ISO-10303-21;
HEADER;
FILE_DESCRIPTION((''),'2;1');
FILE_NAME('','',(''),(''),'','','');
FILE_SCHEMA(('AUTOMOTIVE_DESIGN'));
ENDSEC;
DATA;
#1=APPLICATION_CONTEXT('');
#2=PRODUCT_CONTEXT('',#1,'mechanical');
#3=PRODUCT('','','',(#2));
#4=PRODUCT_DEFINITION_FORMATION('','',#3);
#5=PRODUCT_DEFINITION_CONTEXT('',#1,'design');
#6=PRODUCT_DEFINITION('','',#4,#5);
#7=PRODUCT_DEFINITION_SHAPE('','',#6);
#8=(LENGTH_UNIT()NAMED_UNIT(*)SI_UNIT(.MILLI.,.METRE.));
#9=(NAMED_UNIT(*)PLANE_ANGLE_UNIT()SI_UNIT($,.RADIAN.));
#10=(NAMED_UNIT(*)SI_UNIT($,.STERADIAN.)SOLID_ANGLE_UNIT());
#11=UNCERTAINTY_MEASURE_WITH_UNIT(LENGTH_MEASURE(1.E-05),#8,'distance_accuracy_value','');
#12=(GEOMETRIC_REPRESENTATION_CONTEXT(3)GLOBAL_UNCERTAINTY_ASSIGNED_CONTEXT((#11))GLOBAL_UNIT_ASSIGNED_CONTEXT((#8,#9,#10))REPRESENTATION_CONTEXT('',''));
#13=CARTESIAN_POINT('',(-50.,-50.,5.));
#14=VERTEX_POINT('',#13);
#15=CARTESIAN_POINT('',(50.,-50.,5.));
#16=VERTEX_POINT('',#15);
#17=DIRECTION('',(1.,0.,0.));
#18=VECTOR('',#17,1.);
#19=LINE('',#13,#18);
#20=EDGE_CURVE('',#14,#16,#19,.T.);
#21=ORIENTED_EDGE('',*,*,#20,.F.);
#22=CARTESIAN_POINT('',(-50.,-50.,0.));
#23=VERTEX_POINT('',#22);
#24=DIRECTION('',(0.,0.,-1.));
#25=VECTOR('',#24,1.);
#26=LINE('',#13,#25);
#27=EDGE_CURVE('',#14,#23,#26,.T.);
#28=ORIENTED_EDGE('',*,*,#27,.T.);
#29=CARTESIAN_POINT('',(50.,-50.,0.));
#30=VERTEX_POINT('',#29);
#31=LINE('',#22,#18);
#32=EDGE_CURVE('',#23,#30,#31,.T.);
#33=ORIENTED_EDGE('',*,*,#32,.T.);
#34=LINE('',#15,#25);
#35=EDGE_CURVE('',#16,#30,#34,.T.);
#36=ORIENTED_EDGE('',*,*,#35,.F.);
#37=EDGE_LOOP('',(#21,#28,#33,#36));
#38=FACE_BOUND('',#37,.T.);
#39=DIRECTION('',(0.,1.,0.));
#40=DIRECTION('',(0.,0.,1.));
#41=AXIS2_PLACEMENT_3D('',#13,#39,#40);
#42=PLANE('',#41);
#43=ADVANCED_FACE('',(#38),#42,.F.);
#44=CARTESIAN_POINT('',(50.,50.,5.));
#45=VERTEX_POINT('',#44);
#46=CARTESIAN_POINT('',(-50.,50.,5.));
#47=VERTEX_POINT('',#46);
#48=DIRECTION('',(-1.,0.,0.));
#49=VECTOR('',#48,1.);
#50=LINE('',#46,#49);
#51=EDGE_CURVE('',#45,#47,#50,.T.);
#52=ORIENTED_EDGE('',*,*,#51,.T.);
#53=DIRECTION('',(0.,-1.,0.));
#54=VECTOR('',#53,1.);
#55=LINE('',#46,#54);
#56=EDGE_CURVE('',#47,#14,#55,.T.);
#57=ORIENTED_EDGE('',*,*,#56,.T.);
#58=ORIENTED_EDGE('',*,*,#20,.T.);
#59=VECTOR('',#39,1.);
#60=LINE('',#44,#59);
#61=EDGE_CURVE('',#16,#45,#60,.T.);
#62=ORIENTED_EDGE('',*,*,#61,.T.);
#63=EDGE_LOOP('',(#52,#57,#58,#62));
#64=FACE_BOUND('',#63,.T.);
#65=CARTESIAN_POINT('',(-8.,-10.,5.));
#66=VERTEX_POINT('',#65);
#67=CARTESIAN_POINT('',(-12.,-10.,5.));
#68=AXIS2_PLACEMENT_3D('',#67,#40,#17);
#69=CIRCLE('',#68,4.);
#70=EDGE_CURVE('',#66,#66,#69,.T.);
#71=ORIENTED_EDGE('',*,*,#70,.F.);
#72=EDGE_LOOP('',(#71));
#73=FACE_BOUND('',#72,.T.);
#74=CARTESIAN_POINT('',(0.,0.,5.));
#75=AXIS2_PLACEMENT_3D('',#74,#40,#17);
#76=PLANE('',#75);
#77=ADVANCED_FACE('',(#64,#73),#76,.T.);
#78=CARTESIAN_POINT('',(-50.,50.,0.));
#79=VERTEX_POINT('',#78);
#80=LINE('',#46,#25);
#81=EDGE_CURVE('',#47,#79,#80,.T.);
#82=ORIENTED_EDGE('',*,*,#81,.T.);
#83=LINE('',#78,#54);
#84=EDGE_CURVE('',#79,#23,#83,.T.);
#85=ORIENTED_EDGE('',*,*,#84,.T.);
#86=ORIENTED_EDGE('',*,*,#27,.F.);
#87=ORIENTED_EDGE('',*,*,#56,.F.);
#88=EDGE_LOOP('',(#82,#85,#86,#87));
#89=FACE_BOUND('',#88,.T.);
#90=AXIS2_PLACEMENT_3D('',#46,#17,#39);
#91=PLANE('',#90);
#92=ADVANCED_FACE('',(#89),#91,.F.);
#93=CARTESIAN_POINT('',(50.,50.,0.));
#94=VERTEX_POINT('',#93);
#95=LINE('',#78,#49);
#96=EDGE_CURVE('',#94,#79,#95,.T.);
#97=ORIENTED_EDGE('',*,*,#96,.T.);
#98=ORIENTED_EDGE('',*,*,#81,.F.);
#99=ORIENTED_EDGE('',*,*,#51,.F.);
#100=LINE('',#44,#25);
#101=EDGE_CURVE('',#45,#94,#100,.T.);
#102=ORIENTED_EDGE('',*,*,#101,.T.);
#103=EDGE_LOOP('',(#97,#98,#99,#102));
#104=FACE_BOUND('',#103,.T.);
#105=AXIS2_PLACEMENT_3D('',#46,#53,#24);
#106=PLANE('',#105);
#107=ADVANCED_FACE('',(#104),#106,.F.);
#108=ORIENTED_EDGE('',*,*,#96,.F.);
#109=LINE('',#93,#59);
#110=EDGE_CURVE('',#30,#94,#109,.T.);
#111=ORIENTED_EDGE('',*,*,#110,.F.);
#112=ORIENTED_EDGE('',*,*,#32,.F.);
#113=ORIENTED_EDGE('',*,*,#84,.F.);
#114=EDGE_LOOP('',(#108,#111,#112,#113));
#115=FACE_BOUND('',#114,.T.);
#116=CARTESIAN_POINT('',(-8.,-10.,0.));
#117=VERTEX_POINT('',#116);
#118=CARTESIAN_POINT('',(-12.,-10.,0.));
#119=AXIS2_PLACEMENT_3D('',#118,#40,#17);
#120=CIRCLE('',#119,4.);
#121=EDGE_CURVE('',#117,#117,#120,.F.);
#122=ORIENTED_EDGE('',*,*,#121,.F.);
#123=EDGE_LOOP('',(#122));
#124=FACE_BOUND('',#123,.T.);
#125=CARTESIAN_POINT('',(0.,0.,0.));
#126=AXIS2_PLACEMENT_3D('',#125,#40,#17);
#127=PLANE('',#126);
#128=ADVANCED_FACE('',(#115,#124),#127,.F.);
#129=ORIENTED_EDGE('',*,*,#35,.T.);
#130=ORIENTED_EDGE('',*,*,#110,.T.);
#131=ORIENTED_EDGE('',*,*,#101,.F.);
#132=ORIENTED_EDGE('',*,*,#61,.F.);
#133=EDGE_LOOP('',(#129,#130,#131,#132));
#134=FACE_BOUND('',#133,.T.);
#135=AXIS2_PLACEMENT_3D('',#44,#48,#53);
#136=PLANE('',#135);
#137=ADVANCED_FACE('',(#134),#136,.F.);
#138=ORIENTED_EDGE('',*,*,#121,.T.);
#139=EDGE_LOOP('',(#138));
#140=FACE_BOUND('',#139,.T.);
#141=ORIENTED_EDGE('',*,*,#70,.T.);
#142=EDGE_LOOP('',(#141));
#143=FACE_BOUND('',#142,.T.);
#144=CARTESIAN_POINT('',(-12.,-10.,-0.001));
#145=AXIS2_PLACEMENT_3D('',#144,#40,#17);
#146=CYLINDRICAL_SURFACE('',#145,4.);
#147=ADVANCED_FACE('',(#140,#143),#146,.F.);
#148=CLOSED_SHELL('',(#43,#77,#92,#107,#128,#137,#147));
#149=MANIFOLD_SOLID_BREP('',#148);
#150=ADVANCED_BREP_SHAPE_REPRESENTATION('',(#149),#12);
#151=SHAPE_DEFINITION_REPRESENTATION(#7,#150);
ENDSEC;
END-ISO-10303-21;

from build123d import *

# Parameters (mm, degrees)
SKETCH1_W           = 100
SKETCH1_H           = 100
BOSS_EXTRUDE1_DEPTH = 5
CUT_EXTRUDE1_REACH  = 72.887
SKETCH3_R           = 4


with BuildPart() as part:
    # Sketch1 → Boss-Extrude1 (new body)
    with BuildSketch(Plane.XY):
        Rectangle(SKETCH1_W, SKETCH1_H)
    extrude(amount=BOSS_EXTRUDE1_DEPTH)

    # Sketch3 → Cut-Extrude1 (cut, up to next)
    with BuildSketch(Plane.XY.offset(5), mode=Mode.PRIVATE) as cut_extrude1_sk1:
        with Locations((-12, -10)):
            Circle(SKETCH3_R)
    cut_extrude1_tool1 = extrude(cut_extrude1_sk1.sketch, amount=-CUT_EXTRUDE1_REACH, mode=Mode.PRIVATE) & part.part
    add(cut_extrude1_tool1.solids().sort_by_distance((-12, -10, 5))[0], mode=Mode.SUBTRACT)


solid = part.part
